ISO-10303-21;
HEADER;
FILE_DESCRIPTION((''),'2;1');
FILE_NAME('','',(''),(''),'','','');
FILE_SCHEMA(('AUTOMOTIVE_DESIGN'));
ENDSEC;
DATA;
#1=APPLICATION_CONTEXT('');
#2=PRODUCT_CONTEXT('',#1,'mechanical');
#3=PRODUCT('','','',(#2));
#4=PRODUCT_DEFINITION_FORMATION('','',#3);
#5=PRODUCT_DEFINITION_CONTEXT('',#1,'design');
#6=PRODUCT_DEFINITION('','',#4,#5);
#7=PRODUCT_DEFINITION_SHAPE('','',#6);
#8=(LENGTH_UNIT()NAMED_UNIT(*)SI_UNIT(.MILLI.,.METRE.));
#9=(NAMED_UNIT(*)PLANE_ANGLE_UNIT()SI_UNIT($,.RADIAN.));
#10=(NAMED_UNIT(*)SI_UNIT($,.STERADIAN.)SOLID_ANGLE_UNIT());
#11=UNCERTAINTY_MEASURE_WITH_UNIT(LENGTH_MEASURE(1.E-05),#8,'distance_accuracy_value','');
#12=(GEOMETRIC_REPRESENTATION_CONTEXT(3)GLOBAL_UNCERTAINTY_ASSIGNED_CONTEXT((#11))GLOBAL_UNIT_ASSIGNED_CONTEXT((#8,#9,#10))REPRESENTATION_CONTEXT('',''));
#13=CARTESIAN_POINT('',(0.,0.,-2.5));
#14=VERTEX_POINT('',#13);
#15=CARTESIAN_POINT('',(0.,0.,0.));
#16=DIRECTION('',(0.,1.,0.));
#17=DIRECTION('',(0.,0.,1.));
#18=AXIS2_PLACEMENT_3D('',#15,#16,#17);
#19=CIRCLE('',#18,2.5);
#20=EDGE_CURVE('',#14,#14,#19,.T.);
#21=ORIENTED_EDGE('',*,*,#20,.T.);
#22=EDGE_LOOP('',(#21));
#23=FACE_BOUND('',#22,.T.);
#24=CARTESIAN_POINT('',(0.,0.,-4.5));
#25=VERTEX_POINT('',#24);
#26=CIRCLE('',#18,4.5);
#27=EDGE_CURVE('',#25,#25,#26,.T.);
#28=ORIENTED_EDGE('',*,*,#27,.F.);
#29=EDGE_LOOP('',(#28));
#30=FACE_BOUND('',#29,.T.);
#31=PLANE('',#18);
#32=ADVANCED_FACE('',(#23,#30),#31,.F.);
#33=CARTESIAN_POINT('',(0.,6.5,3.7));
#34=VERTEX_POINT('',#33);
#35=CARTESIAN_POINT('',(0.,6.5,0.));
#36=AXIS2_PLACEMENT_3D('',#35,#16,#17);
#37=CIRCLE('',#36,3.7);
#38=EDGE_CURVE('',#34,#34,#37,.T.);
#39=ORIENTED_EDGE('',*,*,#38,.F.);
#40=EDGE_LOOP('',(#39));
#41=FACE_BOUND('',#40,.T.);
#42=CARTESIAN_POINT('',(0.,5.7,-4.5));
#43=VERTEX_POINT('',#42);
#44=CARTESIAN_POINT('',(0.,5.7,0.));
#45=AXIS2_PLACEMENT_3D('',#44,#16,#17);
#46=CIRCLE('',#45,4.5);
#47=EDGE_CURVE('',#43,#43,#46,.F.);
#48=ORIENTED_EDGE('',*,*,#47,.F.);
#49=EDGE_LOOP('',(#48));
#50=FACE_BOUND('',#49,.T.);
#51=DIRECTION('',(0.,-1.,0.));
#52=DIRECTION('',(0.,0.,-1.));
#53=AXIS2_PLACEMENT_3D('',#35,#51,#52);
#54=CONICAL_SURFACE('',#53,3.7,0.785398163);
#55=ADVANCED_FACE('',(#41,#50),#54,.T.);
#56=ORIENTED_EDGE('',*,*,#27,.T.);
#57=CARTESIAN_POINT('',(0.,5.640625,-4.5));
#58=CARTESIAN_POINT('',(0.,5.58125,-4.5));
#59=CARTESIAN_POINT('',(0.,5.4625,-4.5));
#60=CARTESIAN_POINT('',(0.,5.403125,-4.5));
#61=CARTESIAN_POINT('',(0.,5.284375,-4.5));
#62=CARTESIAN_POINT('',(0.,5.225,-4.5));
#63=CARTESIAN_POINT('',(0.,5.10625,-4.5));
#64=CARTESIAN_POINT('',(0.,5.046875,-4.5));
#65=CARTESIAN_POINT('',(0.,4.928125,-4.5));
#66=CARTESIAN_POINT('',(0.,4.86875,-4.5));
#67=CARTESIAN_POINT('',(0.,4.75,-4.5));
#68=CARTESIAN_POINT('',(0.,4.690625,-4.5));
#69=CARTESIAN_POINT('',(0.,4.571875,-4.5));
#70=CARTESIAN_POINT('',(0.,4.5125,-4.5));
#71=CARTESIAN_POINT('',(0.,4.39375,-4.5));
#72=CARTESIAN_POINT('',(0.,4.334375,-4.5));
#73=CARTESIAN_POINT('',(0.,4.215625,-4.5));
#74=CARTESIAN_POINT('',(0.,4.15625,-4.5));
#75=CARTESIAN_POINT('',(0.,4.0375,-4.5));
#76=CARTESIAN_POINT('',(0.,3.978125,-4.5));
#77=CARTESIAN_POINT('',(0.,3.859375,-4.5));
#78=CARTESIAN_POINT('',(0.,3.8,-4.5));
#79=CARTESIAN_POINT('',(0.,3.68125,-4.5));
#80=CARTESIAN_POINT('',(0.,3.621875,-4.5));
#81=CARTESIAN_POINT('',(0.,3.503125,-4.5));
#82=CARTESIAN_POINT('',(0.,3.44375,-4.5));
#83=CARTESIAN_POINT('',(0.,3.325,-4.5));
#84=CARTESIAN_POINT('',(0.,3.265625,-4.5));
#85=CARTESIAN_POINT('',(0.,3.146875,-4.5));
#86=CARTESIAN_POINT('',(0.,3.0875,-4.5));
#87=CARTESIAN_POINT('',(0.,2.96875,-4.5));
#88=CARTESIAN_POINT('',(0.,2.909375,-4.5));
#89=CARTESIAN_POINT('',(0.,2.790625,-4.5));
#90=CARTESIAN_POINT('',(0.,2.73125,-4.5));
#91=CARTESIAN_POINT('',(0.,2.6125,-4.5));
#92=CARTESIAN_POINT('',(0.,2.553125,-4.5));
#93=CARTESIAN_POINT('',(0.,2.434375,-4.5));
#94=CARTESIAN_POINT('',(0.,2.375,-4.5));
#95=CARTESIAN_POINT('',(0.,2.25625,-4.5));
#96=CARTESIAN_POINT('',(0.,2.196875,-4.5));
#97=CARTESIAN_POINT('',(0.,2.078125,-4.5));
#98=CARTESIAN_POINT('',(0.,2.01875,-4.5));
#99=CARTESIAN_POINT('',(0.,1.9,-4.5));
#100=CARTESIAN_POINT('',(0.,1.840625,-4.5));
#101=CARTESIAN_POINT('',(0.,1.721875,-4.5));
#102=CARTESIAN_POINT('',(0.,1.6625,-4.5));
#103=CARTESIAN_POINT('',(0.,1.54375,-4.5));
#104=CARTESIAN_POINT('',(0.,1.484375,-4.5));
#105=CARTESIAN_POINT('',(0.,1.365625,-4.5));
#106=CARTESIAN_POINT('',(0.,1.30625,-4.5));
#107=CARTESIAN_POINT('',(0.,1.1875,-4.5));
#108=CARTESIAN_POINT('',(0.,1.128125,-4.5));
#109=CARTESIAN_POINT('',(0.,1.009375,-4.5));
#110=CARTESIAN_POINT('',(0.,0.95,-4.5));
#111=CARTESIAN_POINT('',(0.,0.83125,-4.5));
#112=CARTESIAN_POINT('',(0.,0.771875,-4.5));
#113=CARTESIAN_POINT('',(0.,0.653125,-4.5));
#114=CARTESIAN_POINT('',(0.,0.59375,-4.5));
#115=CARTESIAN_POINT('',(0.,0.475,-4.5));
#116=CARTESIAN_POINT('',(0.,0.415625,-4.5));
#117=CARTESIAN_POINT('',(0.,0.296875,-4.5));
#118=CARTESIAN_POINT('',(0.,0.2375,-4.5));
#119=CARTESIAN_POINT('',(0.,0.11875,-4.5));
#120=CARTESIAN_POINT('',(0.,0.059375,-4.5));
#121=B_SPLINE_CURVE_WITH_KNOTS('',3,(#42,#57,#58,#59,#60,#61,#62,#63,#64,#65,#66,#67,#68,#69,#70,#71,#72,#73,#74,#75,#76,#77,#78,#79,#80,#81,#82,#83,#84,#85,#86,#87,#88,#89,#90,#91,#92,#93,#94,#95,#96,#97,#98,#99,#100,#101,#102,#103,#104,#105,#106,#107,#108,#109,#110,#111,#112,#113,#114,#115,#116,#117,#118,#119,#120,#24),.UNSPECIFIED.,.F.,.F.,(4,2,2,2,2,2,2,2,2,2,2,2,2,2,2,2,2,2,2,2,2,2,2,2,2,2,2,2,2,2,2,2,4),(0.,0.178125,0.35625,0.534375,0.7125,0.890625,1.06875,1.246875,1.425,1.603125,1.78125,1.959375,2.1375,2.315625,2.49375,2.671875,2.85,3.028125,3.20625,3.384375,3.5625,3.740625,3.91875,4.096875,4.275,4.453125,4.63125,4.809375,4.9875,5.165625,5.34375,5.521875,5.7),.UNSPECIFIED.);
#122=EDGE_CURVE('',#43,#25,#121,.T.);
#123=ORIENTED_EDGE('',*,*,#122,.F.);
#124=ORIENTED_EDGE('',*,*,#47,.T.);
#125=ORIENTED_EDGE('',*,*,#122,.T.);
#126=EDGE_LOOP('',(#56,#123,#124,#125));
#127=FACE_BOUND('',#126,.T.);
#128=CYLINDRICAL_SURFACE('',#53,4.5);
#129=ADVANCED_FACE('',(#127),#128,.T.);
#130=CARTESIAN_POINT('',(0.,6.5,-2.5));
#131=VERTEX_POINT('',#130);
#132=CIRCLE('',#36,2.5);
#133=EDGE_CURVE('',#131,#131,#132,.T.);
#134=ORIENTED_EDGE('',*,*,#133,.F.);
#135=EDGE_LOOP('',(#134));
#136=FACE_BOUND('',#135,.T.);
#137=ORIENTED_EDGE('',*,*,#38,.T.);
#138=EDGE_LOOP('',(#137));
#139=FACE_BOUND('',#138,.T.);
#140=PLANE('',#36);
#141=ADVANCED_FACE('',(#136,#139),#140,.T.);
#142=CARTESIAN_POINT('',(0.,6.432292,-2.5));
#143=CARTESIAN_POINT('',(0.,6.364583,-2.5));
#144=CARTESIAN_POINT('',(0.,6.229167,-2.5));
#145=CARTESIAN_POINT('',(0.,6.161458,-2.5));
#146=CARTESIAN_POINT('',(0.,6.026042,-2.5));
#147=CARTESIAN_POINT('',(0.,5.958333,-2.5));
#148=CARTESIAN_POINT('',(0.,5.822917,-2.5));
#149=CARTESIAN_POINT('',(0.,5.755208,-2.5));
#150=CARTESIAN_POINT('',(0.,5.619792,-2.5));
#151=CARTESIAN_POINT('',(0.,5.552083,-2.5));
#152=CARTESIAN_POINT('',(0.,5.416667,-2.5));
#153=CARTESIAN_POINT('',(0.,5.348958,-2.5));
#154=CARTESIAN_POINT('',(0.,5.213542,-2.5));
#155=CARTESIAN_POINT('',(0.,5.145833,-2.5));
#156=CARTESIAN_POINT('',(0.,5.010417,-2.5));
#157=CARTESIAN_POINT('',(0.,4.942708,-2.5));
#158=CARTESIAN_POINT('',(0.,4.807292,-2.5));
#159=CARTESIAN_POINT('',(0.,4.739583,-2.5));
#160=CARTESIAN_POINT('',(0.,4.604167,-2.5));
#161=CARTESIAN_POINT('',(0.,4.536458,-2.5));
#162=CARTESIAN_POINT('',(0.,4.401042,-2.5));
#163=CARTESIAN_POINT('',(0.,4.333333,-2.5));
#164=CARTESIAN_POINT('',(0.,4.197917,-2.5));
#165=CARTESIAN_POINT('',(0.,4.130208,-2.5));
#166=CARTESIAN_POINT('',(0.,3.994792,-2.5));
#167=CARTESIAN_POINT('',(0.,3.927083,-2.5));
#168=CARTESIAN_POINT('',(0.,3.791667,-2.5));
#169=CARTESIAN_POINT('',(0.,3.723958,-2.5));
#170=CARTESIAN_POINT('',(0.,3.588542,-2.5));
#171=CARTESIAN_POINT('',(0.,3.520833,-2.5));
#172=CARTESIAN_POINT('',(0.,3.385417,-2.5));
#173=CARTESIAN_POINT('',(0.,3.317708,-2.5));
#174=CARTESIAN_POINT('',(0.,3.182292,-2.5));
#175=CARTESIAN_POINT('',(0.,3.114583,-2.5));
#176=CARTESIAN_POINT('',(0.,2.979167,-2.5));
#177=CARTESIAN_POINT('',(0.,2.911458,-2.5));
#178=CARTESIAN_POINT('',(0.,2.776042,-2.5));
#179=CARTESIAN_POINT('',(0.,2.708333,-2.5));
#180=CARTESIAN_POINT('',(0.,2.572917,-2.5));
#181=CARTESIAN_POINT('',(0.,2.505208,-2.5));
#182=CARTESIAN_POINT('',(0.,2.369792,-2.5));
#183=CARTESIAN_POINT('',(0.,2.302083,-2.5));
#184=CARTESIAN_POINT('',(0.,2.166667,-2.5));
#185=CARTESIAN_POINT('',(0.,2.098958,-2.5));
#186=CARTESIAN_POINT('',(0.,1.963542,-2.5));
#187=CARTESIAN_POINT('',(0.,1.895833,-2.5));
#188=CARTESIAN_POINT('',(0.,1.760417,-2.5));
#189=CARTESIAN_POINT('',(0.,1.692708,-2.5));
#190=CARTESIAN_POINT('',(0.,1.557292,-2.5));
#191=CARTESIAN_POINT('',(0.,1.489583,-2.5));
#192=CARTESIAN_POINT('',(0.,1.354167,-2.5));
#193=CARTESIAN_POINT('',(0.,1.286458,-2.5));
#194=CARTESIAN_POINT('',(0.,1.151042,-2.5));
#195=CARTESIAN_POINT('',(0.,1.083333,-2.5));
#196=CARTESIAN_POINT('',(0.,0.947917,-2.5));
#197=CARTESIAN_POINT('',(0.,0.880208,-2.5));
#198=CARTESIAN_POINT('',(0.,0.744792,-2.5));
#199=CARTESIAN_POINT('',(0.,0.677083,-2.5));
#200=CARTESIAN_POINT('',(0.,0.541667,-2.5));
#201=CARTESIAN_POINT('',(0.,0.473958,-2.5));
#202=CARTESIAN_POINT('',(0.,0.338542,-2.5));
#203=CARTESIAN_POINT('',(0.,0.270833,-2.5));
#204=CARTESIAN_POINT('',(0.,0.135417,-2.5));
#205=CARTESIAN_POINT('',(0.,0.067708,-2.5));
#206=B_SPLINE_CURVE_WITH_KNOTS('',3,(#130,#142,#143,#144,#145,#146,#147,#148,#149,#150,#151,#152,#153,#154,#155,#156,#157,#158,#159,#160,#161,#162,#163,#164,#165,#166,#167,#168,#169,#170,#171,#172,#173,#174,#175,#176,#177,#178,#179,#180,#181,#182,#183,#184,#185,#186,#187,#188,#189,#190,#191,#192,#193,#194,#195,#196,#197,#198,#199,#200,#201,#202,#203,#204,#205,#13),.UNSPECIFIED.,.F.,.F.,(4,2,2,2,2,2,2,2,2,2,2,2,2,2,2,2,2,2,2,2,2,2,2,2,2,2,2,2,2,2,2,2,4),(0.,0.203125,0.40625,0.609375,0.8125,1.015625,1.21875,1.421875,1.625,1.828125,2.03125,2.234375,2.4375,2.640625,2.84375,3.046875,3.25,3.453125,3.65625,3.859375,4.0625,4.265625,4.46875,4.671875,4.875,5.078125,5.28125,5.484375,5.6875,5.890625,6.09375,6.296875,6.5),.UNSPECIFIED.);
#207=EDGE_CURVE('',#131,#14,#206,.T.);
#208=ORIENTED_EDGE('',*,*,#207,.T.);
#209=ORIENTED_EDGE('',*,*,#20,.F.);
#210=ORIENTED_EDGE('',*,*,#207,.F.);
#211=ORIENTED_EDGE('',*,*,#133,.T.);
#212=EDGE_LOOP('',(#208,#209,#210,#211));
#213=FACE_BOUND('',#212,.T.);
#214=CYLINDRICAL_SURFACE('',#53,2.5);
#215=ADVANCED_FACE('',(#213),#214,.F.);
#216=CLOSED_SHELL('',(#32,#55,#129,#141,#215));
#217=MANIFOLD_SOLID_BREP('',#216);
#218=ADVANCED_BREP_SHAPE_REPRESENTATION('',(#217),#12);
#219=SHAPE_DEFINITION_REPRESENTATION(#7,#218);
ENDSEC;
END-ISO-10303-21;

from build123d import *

# Parameters (mm, degrees)
SKETCH_1_R      = 4.5
SKETCH_1_R_2    = 2.5
EXTRUDE_1_DEPTH = 6.5
CHAMFER_1_SIZE  = 0.8


with BuildPart() as part:
    # Эскиз1 → Бобышка-Вытянуть1 (new body)
    with BuildSketch(Plane(origin=(0, 0, 0), x_dir=(1, 0, 0), z_dir=(0, 1, 0))):
        with Locations(Location((0, 0, 0), (0, 0, 90))):
            Circle(SKETCH_1_R)
        with Locations(Location((0, 0, 0), (0, 0, 90))):
            Circle(SKETCH_1_R_2, mode=Mode.SUBTRACT)
    extrude(amount=EXTRUDE_1_DEPTH)

    # Фаска1
    chamfer_1_edges = [part.edges().sort_by_distance(p)[0] for p in [
        (0, 6.5, 4.5),
    ]]
    chamfer(chamfer_1_edges, length=CHAMFER_1_SIZE)


solid = part.part
